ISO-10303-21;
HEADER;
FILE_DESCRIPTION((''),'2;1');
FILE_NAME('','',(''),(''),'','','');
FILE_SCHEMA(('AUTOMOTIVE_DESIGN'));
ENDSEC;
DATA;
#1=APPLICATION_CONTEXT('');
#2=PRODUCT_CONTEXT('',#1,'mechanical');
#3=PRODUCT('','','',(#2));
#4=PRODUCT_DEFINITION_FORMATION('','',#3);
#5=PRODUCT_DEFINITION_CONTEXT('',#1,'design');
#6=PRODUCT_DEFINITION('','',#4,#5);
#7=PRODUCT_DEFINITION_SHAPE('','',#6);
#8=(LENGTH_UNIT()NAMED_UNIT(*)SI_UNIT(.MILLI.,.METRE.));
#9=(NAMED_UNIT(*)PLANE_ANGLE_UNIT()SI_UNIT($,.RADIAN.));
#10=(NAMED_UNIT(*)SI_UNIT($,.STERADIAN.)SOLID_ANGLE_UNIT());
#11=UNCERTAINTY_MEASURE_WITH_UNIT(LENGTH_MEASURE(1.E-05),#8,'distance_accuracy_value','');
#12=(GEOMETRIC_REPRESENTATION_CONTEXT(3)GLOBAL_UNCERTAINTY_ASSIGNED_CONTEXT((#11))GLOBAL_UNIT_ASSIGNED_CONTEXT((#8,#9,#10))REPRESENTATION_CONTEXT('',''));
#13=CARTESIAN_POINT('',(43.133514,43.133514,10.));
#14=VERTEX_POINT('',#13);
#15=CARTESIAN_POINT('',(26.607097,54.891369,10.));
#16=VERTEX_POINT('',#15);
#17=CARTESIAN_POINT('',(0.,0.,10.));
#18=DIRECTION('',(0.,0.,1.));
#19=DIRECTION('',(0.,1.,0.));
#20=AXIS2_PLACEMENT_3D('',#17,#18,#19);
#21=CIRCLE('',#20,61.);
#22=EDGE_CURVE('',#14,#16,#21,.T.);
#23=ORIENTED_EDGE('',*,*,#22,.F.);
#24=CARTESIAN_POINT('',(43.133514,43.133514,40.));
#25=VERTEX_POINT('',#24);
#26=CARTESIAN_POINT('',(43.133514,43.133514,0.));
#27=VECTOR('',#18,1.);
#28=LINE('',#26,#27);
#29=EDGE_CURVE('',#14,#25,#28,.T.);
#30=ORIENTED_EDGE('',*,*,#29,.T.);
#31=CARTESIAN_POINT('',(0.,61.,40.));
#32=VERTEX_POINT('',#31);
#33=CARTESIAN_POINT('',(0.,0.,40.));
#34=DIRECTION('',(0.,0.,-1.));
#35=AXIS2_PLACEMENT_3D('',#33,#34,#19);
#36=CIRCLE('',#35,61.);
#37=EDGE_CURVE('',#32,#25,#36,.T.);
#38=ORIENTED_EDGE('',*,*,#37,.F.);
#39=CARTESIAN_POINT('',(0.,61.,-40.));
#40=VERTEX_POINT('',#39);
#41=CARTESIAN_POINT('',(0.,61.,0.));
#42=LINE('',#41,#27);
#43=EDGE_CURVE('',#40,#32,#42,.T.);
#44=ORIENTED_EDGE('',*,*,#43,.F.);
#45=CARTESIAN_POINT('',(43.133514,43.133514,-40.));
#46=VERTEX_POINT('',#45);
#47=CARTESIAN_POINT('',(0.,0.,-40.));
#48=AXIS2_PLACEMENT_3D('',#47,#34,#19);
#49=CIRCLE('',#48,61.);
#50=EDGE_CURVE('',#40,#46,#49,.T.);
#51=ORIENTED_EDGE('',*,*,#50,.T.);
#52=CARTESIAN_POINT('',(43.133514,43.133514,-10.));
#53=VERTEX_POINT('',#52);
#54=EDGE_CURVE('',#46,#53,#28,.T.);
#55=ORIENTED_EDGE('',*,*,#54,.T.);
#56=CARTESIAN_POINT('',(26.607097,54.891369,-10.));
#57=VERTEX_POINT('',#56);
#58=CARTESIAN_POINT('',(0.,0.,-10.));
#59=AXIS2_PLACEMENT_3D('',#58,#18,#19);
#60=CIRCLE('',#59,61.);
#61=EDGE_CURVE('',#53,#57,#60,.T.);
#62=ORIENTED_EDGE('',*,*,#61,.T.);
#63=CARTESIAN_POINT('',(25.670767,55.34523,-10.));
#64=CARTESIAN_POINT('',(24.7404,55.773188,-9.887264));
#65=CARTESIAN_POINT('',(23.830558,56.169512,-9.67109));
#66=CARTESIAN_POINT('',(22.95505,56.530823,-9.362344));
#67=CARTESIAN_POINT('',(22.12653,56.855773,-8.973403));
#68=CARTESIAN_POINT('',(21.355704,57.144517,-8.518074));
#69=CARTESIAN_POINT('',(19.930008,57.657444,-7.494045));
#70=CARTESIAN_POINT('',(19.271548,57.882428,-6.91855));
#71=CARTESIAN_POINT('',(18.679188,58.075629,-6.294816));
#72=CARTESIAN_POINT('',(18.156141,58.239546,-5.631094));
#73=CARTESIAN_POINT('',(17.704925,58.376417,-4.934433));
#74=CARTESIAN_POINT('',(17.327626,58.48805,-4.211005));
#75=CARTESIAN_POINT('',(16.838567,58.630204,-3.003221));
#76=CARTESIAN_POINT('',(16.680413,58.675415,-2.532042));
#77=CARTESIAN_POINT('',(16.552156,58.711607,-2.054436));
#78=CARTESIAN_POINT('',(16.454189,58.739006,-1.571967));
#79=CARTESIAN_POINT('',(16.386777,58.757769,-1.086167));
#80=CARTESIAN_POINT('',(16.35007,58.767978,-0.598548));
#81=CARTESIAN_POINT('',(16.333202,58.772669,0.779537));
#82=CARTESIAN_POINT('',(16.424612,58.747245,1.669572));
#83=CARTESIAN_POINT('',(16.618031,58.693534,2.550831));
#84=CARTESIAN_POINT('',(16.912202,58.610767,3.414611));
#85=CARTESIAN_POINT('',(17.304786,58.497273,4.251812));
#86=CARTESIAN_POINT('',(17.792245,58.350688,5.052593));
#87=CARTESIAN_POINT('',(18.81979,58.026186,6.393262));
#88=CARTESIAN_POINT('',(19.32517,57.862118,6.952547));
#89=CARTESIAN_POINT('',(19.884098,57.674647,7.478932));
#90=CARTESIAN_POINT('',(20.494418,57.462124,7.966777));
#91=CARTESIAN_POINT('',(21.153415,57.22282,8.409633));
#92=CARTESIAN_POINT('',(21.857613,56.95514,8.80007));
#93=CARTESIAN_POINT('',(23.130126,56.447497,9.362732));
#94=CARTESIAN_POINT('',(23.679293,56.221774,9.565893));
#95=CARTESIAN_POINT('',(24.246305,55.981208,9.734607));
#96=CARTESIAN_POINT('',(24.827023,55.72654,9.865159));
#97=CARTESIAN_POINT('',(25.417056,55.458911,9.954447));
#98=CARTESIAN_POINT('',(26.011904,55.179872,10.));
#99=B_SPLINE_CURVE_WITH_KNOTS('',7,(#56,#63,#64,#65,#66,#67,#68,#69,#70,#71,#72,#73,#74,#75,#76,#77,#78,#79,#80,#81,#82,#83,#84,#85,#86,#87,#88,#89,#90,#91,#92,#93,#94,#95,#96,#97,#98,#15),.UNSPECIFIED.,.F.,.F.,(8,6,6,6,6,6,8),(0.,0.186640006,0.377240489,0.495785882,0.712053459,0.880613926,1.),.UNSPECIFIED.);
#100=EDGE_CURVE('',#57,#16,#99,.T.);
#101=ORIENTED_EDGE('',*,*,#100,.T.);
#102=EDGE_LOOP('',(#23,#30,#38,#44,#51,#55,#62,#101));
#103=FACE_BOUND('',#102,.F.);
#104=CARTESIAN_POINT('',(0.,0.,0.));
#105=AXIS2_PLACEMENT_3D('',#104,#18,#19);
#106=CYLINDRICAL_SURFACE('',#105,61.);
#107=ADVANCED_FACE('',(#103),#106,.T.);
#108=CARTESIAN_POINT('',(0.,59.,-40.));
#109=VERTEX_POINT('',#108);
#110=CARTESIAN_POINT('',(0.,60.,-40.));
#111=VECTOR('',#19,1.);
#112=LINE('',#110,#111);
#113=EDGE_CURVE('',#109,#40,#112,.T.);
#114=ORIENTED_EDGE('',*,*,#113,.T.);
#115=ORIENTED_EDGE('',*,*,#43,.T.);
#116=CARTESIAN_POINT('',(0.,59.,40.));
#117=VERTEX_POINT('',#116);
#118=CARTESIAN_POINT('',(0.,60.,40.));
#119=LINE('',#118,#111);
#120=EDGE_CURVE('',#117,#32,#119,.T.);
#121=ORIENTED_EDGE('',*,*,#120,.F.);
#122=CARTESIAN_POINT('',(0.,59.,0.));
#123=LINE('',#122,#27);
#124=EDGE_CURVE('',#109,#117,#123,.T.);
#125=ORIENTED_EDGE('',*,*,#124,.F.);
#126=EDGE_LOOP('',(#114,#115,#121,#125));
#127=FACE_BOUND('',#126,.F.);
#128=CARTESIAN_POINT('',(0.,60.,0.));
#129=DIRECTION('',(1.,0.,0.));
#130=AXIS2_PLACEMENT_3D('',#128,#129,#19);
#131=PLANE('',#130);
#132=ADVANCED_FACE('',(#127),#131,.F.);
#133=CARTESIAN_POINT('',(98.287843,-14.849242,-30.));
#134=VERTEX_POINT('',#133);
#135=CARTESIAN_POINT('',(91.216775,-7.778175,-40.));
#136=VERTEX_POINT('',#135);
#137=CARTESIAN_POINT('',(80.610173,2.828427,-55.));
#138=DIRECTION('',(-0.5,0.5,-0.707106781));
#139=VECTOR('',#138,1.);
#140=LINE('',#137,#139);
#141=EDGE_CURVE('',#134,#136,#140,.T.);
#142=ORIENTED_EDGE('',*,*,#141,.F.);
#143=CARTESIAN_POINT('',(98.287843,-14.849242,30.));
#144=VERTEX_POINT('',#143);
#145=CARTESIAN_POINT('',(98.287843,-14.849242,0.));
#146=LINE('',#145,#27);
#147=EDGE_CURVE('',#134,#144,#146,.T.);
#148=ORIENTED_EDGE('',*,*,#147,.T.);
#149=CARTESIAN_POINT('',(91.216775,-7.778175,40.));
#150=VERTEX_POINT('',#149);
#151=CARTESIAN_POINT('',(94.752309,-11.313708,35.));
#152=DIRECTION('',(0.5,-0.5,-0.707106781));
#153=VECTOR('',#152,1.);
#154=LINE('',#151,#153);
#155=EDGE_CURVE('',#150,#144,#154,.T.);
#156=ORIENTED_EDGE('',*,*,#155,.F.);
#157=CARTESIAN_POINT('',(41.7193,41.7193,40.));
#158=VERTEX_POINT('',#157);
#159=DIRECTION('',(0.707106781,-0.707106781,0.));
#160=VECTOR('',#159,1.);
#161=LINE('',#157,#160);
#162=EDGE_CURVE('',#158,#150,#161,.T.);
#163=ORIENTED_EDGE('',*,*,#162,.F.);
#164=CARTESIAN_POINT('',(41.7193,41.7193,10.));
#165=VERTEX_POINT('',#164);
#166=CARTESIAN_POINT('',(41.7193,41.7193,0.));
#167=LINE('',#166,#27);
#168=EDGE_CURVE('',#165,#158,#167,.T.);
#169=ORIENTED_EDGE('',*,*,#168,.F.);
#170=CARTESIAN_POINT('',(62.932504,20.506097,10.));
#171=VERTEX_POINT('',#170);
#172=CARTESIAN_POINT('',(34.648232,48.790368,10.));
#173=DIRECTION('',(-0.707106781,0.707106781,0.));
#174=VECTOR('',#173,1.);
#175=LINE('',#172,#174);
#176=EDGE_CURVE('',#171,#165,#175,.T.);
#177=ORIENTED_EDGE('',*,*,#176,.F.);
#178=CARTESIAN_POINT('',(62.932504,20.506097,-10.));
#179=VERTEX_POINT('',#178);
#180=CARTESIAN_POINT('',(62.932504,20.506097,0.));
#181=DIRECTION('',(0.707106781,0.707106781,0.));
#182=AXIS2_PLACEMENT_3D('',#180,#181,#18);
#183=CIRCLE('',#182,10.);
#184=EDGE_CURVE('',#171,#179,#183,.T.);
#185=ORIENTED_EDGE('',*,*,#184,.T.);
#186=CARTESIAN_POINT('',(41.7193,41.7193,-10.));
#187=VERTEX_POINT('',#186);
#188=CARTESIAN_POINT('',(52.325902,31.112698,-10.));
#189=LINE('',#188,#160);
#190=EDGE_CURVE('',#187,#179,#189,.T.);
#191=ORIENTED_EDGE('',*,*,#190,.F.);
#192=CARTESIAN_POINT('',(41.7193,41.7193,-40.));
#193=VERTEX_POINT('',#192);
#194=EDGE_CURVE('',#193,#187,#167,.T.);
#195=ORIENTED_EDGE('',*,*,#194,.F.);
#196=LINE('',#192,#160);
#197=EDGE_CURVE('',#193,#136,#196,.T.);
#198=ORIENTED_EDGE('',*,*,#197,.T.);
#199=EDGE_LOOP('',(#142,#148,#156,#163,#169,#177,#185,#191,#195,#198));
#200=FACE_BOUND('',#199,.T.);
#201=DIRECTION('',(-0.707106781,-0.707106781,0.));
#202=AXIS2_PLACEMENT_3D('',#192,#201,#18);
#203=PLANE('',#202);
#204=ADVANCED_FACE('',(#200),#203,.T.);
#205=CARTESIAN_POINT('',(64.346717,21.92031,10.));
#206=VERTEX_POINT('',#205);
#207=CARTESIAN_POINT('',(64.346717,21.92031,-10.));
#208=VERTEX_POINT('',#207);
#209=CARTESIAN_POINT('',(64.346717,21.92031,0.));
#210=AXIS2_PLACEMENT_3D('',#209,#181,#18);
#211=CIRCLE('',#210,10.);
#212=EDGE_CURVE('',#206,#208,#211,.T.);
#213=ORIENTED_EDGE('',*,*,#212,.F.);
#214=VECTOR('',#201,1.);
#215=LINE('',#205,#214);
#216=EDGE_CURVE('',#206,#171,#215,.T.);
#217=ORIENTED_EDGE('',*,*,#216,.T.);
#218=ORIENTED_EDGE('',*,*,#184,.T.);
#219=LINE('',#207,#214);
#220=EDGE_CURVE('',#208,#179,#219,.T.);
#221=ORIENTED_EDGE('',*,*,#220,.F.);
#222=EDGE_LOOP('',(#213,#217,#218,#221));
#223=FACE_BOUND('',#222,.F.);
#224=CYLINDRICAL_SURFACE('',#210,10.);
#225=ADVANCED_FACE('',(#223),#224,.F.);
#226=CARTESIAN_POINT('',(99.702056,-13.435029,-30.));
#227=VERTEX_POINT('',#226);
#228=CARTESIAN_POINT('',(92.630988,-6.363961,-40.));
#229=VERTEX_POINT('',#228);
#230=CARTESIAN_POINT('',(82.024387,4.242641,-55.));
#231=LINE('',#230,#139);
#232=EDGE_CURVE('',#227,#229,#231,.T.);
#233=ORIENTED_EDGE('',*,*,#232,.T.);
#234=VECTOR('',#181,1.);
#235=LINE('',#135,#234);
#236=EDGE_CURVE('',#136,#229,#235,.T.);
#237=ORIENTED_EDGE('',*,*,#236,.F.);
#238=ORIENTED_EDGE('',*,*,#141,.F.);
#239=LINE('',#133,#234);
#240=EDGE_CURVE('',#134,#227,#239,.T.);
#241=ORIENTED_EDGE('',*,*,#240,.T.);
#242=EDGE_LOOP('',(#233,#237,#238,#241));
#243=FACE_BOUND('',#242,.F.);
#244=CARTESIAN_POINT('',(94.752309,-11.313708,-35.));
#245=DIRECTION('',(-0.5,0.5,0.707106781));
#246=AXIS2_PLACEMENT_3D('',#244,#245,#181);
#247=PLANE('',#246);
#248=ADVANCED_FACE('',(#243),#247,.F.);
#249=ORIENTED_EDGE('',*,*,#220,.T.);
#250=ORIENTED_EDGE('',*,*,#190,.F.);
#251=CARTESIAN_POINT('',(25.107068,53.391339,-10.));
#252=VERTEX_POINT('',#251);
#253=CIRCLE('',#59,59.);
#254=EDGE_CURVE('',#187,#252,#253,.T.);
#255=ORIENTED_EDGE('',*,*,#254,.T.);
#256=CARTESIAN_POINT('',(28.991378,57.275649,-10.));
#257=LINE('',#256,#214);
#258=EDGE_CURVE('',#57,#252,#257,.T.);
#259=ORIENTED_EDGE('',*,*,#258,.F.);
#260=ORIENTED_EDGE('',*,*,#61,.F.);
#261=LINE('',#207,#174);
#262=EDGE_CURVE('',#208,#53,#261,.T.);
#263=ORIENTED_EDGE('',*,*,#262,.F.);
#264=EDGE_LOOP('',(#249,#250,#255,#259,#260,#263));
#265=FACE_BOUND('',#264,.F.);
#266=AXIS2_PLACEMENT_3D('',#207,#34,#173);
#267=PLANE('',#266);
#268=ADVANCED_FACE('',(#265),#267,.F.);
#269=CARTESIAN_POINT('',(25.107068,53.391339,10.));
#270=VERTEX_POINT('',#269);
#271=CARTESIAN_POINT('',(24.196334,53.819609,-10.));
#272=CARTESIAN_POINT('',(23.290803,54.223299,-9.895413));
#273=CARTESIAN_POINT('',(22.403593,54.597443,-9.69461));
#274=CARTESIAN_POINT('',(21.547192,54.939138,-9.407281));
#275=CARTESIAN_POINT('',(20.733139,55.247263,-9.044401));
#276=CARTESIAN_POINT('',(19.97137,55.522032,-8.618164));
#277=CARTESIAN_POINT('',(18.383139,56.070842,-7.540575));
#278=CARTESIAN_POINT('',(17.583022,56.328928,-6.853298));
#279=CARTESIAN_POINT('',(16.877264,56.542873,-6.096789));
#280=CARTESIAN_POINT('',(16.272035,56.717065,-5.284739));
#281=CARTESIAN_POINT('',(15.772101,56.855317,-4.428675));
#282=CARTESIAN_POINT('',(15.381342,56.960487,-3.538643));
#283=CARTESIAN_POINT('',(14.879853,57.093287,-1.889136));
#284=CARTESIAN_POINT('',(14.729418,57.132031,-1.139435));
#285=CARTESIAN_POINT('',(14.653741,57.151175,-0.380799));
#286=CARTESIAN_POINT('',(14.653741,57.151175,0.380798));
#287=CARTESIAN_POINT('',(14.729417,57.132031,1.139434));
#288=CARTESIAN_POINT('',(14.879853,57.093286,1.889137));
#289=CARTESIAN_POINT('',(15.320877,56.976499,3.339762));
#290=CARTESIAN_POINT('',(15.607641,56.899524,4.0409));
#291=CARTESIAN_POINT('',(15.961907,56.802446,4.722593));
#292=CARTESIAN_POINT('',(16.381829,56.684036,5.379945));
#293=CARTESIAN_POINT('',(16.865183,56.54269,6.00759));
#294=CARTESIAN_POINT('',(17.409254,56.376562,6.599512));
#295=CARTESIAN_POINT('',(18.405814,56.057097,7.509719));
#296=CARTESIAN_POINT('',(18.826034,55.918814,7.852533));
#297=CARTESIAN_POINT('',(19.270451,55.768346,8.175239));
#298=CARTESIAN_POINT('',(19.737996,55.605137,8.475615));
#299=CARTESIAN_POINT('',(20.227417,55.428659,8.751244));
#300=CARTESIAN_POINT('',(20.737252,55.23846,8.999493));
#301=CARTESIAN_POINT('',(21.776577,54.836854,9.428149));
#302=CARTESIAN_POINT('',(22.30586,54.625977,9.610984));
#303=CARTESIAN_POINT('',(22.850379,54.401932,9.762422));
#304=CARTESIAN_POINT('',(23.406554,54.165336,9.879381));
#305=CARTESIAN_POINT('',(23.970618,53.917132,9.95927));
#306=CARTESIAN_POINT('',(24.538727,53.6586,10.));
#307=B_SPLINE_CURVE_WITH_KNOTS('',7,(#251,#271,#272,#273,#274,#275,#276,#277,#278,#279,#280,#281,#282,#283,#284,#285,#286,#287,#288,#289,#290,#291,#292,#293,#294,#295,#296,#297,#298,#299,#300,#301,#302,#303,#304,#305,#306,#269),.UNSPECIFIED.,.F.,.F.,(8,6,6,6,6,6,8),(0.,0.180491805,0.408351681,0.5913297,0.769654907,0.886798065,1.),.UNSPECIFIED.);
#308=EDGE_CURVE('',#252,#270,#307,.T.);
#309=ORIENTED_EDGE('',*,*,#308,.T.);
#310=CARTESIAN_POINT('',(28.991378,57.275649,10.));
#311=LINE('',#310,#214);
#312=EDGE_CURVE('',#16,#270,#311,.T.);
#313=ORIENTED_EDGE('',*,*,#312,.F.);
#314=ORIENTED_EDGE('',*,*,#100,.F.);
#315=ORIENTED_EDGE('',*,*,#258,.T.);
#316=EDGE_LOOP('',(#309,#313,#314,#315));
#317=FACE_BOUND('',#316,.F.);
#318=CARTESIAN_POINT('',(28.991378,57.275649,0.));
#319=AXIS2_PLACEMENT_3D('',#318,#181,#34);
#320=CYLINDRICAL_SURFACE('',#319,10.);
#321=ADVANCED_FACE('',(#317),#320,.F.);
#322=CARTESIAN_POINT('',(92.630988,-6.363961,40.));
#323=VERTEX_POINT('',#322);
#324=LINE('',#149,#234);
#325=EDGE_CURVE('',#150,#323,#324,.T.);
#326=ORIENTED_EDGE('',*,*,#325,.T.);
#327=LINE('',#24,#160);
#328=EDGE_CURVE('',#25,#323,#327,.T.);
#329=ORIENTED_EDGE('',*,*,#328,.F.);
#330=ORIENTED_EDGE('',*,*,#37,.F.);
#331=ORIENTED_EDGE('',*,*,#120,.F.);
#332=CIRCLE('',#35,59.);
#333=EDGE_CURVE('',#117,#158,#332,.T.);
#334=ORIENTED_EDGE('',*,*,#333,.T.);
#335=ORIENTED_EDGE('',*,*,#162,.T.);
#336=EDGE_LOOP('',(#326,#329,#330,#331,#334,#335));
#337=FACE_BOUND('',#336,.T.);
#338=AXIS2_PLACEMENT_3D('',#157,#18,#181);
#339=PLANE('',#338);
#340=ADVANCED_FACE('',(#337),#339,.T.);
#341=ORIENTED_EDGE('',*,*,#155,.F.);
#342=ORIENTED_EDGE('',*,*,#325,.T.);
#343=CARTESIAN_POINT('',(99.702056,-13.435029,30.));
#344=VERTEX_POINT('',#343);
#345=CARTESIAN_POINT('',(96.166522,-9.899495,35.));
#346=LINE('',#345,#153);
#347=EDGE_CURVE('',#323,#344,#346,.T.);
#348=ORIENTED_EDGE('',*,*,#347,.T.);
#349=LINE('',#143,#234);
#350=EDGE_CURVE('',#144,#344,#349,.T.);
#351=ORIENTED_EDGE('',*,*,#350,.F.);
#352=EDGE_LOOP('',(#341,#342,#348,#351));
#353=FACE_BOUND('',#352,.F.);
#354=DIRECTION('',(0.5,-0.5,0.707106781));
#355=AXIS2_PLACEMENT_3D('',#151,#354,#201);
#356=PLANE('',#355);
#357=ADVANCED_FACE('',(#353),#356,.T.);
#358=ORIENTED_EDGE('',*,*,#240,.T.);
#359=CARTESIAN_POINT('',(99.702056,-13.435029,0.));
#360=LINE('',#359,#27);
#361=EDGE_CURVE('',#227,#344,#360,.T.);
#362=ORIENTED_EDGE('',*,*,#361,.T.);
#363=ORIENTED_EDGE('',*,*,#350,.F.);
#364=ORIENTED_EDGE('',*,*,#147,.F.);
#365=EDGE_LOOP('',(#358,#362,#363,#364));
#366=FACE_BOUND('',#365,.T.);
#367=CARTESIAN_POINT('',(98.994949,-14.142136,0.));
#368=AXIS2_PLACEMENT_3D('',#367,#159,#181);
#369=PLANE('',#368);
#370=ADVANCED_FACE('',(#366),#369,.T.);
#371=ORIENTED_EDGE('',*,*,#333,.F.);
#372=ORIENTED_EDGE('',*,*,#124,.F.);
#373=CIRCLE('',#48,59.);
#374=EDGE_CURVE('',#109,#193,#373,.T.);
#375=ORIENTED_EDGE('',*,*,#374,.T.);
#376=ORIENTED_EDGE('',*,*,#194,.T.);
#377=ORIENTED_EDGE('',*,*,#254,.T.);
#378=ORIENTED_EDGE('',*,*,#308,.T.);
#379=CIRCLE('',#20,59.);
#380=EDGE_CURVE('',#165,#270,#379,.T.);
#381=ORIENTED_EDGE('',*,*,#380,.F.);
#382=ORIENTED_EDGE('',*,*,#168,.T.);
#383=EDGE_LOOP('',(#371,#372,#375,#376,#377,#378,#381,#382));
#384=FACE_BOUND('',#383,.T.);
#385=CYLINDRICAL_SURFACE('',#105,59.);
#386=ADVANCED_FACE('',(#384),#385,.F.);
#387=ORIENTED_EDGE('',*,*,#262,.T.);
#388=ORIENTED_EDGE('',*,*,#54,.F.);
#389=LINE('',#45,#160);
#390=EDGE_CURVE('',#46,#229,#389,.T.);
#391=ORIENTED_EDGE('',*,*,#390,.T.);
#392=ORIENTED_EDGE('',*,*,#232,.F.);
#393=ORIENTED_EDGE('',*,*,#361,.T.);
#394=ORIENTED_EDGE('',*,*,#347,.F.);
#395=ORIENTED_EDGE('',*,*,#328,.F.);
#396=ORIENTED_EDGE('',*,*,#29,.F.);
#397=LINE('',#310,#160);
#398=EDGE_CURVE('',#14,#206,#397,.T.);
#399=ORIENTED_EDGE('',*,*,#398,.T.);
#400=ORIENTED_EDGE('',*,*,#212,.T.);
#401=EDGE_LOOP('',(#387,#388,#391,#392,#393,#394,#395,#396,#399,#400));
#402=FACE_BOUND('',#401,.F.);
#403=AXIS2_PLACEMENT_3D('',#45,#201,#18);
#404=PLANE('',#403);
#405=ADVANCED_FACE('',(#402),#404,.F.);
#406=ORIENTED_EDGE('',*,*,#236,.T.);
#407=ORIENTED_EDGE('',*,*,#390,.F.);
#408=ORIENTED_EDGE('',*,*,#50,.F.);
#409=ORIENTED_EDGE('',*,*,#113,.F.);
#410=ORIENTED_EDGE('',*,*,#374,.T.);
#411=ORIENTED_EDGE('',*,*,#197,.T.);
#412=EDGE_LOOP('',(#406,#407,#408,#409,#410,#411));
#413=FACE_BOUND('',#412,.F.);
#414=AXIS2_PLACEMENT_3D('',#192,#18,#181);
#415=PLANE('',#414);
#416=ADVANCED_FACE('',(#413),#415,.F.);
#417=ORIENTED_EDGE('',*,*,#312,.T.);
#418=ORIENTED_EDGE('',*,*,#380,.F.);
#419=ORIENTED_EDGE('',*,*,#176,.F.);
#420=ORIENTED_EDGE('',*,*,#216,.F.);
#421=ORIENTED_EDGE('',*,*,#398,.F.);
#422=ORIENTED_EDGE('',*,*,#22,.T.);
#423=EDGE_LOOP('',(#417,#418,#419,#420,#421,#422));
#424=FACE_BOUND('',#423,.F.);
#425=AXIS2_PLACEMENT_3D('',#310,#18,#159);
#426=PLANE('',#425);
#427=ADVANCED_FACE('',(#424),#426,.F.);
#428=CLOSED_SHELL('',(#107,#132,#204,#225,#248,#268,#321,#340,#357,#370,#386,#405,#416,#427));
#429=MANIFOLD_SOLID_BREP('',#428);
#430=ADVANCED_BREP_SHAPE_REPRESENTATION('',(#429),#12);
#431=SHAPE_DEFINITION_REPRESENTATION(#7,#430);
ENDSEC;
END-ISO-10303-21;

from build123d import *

# Parameters (mm, degrees)
F0_W     = 2
F0_H     = 80
F1_ANGLE = 45
F2_DEPTH = 80
F4_DEPTH = 71.501
F5_SIZE  = 10


with BuildPart() as f1:
    # F0 (on Right) → F1 (revolve)
    with BuildSketch(Plane.YZ):
        with Locations((60, 0)):
            Rectangle(F0_W, F0_H)
    revolve(axis=Axis((0, 0, 0), (0, 0, -1)), revolution_arc=F1_ANGLE)

    # F2 (add): a face of the model
    f2_faces = [f1.faces().sort_by_distance(p)[0] for p in [
        (42.4264068712, 42.4264068712, 0),
    ]]
    extrude(f2_faces, amount=F2_DEPTH)

    # F3 (on face) → F4 (cut, through all)
    with BuildSketch(Plane(origin=(43.1335136524, 43.1335136524, 0), x_dir=(-0.7071067812, 0.7071067812, 0), z_dir=(0.7071067812, 0.7071067812, 0))):
        with BuildLine():
            ThreePointArc((20, -10), (30, 0), (20, 10))
            Line((20, 10), (-30, 10))
            ThreePointArc((-30, 10), (-40, 0), (-30, -10))
            Line((-30, -10), (20, -10))
        make_face()
    extrude(amount=-F4_DEPTH, mode=Mode.SUBTRACT)

    # F5
    f5_edges = [f1.edges().sort_by_distance(p)[0] for p in [
        (98.994949, -14.142136, 40),
        (98.994949, -14.142136, -40),
    ]]
    chamfer(f5_edges, length=F5_SIZE)


solid = f1.part
